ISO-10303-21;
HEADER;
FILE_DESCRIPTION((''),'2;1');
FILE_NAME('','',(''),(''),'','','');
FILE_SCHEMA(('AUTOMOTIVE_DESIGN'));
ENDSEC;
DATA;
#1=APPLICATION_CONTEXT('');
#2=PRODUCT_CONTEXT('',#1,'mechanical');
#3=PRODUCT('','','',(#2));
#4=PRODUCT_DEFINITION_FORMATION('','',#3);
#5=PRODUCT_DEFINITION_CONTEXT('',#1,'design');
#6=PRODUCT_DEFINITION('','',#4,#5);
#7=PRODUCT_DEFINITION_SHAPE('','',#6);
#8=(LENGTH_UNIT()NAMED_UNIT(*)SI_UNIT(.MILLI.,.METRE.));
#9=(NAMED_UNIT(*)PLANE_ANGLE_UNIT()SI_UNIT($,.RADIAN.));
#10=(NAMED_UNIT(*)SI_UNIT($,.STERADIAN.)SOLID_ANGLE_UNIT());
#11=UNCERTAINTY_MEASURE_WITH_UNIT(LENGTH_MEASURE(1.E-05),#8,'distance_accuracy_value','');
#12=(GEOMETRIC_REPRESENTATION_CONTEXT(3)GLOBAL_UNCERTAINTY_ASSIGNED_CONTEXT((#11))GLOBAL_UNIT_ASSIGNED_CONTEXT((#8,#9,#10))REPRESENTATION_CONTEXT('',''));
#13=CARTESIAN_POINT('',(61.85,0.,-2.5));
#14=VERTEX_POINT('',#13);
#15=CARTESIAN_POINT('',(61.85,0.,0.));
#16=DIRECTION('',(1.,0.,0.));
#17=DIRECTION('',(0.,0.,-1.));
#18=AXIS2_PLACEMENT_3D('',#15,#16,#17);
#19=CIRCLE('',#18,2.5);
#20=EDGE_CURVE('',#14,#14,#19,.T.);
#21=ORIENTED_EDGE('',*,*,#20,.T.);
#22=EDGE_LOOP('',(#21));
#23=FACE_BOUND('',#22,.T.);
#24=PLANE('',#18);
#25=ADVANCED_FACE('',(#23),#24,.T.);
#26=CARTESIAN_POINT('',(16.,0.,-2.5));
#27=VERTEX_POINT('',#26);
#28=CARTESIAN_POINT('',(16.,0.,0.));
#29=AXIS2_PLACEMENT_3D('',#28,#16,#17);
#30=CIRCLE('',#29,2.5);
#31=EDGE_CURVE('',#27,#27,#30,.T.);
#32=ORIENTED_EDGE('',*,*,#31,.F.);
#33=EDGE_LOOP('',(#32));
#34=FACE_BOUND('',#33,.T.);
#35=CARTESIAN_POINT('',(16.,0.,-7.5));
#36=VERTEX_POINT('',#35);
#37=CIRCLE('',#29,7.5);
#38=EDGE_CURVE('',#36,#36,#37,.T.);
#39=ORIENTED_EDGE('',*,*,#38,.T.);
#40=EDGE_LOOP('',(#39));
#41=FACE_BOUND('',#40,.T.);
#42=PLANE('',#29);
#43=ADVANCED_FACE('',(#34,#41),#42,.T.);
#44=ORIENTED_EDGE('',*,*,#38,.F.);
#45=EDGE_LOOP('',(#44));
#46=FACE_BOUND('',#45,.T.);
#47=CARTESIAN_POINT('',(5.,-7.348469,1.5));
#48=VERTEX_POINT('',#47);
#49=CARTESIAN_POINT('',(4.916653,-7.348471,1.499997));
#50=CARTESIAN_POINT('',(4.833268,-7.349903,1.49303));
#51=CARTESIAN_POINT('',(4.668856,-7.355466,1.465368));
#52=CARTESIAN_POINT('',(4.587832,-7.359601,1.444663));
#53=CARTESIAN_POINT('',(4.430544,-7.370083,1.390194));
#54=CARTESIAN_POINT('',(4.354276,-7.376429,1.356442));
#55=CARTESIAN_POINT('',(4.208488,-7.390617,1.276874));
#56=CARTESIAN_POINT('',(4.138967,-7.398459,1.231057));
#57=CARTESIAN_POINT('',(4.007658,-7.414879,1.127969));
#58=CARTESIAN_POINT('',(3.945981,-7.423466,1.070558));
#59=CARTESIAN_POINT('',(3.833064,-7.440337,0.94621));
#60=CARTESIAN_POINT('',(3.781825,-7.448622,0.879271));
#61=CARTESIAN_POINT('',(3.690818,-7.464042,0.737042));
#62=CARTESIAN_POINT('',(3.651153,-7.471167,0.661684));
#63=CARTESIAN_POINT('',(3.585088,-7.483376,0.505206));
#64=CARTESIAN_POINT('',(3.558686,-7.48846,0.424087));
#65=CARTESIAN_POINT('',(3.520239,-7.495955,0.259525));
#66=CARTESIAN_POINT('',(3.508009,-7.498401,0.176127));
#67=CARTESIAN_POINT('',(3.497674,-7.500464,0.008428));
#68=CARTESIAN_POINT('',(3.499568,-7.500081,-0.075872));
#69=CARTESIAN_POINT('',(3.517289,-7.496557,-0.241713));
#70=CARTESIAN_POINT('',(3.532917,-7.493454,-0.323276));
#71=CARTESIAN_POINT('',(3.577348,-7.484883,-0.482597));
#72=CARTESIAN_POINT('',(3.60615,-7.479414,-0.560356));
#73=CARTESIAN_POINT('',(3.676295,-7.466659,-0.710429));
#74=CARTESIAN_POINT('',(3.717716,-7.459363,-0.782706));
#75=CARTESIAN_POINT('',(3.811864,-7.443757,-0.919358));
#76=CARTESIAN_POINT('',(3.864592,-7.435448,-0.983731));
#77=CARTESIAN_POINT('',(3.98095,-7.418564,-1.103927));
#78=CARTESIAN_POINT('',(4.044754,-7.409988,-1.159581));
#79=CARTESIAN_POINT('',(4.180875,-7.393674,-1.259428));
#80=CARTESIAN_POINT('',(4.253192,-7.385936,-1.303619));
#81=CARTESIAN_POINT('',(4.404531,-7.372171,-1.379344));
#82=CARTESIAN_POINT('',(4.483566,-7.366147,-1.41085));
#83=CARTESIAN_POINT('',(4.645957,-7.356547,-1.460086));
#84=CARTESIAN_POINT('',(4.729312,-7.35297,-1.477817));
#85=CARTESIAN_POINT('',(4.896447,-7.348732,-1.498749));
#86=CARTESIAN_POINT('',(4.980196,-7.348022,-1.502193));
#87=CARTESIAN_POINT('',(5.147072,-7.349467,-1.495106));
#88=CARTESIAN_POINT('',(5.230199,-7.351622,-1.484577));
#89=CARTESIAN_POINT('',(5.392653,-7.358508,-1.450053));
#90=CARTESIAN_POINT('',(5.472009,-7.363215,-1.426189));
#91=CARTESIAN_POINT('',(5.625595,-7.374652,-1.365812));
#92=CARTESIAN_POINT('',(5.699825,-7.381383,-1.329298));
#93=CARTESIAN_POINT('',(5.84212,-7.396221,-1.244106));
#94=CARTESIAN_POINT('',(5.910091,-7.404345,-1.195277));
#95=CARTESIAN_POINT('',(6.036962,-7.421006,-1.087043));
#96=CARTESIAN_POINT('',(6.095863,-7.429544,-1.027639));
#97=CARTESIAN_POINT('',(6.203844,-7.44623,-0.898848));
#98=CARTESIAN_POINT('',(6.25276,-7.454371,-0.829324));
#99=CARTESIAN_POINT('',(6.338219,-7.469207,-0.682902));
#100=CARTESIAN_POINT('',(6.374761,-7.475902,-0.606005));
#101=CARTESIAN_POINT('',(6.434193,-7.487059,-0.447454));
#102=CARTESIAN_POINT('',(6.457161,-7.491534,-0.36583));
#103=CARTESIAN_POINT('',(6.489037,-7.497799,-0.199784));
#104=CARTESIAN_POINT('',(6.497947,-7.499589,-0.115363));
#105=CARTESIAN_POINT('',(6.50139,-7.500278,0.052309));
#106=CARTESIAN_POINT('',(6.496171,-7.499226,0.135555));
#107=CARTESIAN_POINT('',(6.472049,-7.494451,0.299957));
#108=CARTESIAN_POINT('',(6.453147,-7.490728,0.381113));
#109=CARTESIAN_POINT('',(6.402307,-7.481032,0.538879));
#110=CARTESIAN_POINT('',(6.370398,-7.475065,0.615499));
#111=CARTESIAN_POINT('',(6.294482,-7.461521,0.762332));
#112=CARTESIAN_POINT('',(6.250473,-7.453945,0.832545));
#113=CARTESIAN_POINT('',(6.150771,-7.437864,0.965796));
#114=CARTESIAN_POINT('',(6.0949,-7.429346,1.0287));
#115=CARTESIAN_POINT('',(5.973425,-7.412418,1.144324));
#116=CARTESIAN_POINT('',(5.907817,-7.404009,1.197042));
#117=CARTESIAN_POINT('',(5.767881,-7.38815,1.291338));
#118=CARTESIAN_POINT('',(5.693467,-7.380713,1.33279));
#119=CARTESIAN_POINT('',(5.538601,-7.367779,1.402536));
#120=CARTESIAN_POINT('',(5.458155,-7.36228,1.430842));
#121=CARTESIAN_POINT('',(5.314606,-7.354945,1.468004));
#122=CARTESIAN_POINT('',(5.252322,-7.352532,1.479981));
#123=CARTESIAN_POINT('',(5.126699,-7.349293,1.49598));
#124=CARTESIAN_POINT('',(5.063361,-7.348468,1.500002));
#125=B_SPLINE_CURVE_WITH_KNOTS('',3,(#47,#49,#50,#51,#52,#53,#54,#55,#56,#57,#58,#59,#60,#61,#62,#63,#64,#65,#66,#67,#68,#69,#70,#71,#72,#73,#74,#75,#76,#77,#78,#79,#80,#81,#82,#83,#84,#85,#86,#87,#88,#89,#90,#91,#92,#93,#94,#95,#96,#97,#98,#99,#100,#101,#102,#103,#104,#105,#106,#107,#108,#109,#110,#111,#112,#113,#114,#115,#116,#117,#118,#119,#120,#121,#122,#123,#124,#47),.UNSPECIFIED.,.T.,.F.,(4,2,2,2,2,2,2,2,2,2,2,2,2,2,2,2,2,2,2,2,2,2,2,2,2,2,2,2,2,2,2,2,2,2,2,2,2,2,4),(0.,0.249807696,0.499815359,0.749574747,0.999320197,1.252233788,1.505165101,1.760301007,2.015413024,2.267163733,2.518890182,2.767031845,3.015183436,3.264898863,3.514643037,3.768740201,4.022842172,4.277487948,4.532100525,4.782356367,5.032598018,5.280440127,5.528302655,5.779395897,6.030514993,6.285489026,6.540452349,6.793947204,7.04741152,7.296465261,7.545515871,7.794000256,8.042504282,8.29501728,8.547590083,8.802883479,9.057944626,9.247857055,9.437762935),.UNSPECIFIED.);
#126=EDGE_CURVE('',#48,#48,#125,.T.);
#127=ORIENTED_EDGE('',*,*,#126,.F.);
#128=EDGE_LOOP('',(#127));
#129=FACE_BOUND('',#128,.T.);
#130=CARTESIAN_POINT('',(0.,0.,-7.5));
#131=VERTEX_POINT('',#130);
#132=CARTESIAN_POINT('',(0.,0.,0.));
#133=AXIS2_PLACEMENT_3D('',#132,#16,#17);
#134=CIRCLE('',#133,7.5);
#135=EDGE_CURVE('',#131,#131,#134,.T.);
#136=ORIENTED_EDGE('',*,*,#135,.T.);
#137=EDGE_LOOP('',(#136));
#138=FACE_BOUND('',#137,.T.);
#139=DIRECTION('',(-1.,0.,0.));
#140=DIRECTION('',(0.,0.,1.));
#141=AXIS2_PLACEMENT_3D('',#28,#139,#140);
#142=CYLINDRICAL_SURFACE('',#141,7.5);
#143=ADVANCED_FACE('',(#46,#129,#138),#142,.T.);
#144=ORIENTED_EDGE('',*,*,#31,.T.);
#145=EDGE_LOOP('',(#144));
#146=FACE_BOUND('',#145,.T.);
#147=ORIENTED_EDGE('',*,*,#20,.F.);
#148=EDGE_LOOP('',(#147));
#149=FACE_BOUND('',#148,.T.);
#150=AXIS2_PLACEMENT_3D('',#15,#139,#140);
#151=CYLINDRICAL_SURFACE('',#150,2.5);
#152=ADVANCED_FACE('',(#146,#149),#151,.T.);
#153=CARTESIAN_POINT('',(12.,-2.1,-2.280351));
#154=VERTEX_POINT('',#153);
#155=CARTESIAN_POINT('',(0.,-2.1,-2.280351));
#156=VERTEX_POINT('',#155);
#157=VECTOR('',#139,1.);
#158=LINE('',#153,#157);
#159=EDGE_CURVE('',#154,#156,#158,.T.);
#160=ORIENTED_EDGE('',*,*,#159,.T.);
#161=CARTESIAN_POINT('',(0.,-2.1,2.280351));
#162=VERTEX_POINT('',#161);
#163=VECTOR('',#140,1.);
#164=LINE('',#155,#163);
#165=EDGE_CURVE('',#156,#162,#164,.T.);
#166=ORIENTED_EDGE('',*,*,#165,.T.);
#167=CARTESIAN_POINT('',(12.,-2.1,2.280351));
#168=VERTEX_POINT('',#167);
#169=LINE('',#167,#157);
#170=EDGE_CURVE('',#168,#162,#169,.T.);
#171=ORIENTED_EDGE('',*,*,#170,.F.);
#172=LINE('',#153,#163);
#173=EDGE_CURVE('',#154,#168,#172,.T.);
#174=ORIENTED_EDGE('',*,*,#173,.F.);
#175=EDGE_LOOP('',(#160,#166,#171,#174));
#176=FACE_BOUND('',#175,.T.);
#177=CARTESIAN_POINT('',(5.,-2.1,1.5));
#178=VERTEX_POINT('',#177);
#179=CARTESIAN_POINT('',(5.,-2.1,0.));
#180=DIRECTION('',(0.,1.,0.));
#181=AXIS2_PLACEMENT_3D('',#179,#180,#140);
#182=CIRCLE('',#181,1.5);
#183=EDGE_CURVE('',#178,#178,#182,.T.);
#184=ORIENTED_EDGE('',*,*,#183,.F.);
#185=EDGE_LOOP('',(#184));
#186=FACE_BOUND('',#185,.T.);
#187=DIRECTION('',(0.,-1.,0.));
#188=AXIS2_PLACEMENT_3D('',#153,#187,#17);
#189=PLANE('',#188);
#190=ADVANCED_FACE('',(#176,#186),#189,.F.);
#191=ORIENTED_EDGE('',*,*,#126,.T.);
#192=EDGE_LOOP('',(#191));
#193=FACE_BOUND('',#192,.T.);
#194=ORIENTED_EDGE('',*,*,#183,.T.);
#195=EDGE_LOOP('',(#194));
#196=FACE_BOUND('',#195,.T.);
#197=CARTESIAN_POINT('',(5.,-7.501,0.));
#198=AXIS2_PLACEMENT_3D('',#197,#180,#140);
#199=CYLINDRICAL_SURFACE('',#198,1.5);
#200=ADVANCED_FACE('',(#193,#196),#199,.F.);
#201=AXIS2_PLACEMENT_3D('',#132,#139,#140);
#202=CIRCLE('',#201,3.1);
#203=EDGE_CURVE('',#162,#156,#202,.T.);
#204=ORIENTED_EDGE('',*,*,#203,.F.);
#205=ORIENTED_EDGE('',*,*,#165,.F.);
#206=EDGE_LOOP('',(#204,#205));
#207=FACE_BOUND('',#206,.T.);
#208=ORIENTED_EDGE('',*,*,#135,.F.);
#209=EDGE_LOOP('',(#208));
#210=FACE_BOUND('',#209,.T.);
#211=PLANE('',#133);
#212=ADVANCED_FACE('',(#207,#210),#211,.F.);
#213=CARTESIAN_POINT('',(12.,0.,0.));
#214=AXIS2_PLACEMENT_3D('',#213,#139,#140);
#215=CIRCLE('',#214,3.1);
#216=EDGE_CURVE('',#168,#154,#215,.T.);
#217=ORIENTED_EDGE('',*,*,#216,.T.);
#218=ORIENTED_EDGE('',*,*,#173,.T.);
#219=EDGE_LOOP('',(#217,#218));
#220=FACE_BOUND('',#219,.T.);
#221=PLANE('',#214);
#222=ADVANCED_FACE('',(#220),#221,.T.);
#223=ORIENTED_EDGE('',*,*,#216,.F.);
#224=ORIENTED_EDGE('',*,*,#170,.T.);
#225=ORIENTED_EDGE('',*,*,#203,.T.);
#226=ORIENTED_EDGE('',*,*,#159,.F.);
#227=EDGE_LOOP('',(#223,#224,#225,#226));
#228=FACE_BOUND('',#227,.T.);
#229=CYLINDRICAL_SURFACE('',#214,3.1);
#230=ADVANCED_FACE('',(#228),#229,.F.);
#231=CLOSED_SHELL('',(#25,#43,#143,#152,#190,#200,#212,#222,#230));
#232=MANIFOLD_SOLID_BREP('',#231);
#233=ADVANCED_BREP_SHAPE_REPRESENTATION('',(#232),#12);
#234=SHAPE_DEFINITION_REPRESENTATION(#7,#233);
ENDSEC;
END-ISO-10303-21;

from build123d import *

# Parameters (mm, degrees)
SKETCH1_R               = 7.5
BOSS_EXTRUDE1_DEPTH     = 16
SKETCH2_R               = 2.5
BOSS_EXTRUDE2_DEPTH     = 45.85
CUT_EXTRUDE1_DEPTH      = 12
CUT_EXTRUDE2_REACH      = 65.038
CUT_EXTRUDE2_END_RADIUS = 7.5
SKETCH4_R               = 1.5


with BuildPart() as part:
    # Sketch1 → Boss-Extrude1 (new body)
    with BuildSketch(Plane(origin=(0, 0, 0), x_dir=(0, 0, -1), z_dir=(1, 0, 0))):
        Circle(SKETCH1_R)
    extrude(amount=BOSS_EXTRUDE1_DEPTH)

    # Sketch2 → Boss-Extrude2 (add)
    with BuildSketch(Plane(origin=(16, 0, 0), x_dir=(0, 0, -1), z_dir=(1, 0, 0))):
        Circle(SKETCH2_R)
    extrude(amount=BOSS_EXTRUDE2_DEPTH)

    # Sketch3 → Cut-Extrude1 (cut)
    with BuildSketch(Plane.ZY):
        with BuildLine():
            Line((-2.28035085, -2.1), (2.28035085, -2.1))
            ThreePointArc((2.28035085, -2.1), (0, 3.1), (-2.28035085, -2.1))
        make_face()
    extrude(amount=-CUT_EXTRUDE1_DEPTH, mode=Mode.SUBTRACT)

    # Cut-Extrude2: up to this cylinder (the profile starts inside it)
    cut_extrude2_end = Plane(origin=(5, 0, 0), z_dir=(-1, 0, 0)) * Cylinder(CUT_EXTRUDE2_END_RADIUS, 146.076, mode=Mode.PRIVATE)
    # Sketch4 → Cut-Extrude2 (cut, up to the surface)
    with BuildSketch(Plane(origin=(0, -2.1, 0), x_dir=(1, 0, 0), z_dir=(0, 1, 0)), mode=Mode.PRIVATE) as cut_extrude2_sk1:
        with Locations(Location((5, 0, 0), (0, 0, 270))):
            Circle(SKETCH4_R)
    cut_extrude2_tool1 = extrude(cut_extrude2_sk1.sketch, amount=-CUT_EXTRUDE2_REACH, mode=Mode.PRIVATE) & cut_extrude2_end
    add(cut_extrude2_tool1.solids().sort_by_distance((5, -2.1, 0))[0], mode=Mode.SUBTRACT)


solid = part.part
